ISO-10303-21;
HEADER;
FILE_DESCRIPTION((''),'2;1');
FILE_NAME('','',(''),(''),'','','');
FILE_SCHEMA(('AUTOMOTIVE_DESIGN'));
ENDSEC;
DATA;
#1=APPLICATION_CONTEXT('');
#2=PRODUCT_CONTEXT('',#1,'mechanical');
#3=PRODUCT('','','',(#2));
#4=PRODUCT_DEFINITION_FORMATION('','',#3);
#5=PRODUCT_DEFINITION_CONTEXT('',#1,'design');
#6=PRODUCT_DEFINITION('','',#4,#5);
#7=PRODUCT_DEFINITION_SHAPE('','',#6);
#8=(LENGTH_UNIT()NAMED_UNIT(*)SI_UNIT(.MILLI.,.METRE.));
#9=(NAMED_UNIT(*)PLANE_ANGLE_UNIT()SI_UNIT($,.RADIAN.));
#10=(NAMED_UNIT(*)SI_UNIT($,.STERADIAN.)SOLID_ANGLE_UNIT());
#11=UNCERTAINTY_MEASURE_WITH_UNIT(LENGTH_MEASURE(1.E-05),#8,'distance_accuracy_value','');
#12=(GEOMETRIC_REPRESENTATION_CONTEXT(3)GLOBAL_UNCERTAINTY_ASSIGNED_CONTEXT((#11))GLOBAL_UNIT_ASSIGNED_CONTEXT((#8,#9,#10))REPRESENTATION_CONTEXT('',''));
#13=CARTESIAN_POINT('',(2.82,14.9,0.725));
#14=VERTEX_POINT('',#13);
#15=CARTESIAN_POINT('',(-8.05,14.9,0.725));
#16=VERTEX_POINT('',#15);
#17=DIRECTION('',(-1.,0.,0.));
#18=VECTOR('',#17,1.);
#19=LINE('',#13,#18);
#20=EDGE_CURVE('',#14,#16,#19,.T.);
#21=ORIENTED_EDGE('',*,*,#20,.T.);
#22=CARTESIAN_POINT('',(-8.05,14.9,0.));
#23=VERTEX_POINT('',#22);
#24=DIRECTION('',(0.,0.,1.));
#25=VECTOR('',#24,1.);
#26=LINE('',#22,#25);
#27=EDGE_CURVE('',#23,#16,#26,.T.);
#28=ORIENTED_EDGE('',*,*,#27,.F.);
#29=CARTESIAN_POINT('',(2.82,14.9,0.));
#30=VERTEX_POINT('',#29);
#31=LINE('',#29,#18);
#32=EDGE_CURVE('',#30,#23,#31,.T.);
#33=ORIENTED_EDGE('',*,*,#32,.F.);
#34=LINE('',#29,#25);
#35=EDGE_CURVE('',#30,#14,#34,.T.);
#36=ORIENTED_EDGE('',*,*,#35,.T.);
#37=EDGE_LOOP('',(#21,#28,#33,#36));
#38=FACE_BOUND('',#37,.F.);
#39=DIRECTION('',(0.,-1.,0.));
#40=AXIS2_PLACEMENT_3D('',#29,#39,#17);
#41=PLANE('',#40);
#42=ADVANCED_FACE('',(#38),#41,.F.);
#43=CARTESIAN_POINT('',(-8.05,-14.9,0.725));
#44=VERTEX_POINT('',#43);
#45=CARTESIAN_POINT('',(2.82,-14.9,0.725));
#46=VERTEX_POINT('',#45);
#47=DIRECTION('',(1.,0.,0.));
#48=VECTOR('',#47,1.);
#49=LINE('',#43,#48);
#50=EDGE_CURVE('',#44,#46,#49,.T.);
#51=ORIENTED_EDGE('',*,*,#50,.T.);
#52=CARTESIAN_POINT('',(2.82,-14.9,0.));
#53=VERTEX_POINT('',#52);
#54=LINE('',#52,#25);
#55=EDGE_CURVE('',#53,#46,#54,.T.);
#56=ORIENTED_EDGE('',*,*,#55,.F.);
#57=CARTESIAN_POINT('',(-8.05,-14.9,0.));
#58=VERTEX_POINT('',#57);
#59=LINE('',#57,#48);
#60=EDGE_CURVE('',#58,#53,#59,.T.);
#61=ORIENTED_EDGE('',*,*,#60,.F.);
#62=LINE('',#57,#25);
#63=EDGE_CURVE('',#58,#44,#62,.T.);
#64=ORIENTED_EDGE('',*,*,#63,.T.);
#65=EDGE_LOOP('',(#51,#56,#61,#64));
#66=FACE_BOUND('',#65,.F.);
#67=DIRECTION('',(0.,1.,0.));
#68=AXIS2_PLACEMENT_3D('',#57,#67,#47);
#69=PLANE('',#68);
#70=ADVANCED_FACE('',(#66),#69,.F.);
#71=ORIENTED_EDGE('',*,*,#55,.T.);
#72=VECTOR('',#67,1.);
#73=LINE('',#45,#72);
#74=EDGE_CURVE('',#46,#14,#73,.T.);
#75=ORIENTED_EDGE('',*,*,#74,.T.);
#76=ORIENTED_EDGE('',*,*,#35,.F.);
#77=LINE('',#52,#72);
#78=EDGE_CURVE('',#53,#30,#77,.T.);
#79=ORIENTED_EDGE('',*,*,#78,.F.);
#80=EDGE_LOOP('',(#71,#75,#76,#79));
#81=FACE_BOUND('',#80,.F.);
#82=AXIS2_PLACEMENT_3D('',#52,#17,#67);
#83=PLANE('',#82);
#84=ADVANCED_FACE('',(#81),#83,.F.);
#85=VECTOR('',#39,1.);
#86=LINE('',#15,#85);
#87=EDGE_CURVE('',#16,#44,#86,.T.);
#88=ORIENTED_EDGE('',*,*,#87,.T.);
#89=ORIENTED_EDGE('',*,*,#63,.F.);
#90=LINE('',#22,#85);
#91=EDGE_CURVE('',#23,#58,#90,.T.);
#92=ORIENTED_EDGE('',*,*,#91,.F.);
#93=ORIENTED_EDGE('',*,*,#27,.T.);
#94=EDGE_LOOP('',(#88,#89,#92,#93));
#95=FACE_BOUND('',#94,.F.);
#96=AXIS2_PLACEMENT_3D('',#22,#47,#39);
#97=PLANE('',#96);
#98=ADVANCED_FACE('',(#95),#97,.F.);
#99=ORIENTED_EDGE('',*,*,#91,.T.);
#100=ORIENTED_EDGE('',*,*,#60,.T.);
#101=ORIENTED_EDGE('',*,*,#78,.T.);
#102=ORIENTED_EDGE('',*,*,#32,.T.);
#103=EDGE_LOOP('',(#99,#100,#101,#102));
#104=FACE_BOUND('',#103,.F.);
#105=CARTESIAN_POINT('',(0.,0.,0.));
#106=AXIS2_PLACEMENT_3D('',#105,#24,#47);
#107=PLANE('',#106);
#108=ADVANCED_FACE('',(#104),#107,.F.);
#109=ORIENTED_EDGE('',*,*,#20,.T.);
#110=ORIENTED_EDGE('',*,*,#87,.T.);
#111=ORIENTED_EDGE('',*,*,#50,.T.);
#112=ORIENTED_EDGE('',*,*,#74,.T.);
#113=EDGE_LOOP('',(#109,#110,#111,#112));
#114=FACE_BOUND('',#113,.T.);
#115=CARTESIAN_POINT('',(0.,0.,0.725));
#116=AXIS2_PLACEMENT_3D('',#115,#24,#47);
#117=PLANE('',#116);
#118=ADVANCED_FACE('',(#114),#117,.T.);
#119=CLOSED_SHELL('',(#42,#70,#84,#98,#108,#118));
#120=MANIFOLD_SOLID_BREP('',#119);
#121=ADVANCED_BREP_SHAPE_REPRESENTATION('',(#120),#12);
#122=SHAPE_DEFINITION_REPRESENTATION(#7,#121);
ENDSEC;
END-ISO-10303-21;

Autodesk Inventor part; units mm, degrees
ref_plane "YZ Plane" through (0, 0, 0) normal (1, 0, 0) x (0, 1, 0)
ref_plane "XZ Plane" through (0, 0, 0) normal (0, 1, 0) x (-1, 0, 0)
ref_plane "XY Plane" through (0, 0, 0) normal (0, 0, 1) x (1, 0, 0)
sketch "スケッチ1" plane through (0, 0, 0) normal (0, 0, 1) x (1, 0, 0)
  line L0 (8.05, 14.9) -> (-8.05, 14.9) construction
  line L1 (-8.05, 14.9) -> (-8.05, -14.9) construction
  line L2 (-8.05, -14.9) -> (8.05, -14.9) construction
  line L3 (8.05, -14.9) -> (8.05, 14.9) construction
  line L4 (8.05, 14.9) -> (-8.05, -14.9) construction
  line L5 (-8.05, 14.9) -> (8.05, -14.9) construction
  line L6 (2.82, 14.9) -> (-8.05, 14.9)
  line L7 (-8.05, 14.9) -> (-8.05, -14.9)
  line L8 (-8.05, -14.9) -> (2.82, -14.9)
  line L9 (2.82, -14.9) -> (2.82, 14.9)
  point P0 (0, 0)
  dimension "d0" = 16.1
  dimension "d1" = 29.8
  dimension "d2" = 10.87
extrude "押し出し1" add sketch "スケッチ1" along normal blind 0.725
sketch "スケッチ3" plane through (0, 0, 0.725) normal (0, 0, 1) x (1, 0, 0)
  line L0 (-5.93, -13.79) -> (-5.93, 13.79) construction
  line L1 (-5.93, 13.79) -> (0.7, 13.79) construction
  line L2 (0.7, 13.79) -> (0.7, -13.79) construction
  line L3 (0.7, -13.79) -> (-5.93, -13.79) construction
  line L4 (2.82, -14.9) -> (2.82, 14.9) projected
  line L5 (-8.05, 14.9) -> (-8.05, -14.9) projected
  point P0 (0, 0)
  dimension "d5" = 2.12
  dimension "d6" = 2.12
  dimension "d7" = 1.11
  dimension "d8" = 1.11
equation "\"d6\" = d5"
equation "\"d8\" = d7"
properties part number "monitor"
